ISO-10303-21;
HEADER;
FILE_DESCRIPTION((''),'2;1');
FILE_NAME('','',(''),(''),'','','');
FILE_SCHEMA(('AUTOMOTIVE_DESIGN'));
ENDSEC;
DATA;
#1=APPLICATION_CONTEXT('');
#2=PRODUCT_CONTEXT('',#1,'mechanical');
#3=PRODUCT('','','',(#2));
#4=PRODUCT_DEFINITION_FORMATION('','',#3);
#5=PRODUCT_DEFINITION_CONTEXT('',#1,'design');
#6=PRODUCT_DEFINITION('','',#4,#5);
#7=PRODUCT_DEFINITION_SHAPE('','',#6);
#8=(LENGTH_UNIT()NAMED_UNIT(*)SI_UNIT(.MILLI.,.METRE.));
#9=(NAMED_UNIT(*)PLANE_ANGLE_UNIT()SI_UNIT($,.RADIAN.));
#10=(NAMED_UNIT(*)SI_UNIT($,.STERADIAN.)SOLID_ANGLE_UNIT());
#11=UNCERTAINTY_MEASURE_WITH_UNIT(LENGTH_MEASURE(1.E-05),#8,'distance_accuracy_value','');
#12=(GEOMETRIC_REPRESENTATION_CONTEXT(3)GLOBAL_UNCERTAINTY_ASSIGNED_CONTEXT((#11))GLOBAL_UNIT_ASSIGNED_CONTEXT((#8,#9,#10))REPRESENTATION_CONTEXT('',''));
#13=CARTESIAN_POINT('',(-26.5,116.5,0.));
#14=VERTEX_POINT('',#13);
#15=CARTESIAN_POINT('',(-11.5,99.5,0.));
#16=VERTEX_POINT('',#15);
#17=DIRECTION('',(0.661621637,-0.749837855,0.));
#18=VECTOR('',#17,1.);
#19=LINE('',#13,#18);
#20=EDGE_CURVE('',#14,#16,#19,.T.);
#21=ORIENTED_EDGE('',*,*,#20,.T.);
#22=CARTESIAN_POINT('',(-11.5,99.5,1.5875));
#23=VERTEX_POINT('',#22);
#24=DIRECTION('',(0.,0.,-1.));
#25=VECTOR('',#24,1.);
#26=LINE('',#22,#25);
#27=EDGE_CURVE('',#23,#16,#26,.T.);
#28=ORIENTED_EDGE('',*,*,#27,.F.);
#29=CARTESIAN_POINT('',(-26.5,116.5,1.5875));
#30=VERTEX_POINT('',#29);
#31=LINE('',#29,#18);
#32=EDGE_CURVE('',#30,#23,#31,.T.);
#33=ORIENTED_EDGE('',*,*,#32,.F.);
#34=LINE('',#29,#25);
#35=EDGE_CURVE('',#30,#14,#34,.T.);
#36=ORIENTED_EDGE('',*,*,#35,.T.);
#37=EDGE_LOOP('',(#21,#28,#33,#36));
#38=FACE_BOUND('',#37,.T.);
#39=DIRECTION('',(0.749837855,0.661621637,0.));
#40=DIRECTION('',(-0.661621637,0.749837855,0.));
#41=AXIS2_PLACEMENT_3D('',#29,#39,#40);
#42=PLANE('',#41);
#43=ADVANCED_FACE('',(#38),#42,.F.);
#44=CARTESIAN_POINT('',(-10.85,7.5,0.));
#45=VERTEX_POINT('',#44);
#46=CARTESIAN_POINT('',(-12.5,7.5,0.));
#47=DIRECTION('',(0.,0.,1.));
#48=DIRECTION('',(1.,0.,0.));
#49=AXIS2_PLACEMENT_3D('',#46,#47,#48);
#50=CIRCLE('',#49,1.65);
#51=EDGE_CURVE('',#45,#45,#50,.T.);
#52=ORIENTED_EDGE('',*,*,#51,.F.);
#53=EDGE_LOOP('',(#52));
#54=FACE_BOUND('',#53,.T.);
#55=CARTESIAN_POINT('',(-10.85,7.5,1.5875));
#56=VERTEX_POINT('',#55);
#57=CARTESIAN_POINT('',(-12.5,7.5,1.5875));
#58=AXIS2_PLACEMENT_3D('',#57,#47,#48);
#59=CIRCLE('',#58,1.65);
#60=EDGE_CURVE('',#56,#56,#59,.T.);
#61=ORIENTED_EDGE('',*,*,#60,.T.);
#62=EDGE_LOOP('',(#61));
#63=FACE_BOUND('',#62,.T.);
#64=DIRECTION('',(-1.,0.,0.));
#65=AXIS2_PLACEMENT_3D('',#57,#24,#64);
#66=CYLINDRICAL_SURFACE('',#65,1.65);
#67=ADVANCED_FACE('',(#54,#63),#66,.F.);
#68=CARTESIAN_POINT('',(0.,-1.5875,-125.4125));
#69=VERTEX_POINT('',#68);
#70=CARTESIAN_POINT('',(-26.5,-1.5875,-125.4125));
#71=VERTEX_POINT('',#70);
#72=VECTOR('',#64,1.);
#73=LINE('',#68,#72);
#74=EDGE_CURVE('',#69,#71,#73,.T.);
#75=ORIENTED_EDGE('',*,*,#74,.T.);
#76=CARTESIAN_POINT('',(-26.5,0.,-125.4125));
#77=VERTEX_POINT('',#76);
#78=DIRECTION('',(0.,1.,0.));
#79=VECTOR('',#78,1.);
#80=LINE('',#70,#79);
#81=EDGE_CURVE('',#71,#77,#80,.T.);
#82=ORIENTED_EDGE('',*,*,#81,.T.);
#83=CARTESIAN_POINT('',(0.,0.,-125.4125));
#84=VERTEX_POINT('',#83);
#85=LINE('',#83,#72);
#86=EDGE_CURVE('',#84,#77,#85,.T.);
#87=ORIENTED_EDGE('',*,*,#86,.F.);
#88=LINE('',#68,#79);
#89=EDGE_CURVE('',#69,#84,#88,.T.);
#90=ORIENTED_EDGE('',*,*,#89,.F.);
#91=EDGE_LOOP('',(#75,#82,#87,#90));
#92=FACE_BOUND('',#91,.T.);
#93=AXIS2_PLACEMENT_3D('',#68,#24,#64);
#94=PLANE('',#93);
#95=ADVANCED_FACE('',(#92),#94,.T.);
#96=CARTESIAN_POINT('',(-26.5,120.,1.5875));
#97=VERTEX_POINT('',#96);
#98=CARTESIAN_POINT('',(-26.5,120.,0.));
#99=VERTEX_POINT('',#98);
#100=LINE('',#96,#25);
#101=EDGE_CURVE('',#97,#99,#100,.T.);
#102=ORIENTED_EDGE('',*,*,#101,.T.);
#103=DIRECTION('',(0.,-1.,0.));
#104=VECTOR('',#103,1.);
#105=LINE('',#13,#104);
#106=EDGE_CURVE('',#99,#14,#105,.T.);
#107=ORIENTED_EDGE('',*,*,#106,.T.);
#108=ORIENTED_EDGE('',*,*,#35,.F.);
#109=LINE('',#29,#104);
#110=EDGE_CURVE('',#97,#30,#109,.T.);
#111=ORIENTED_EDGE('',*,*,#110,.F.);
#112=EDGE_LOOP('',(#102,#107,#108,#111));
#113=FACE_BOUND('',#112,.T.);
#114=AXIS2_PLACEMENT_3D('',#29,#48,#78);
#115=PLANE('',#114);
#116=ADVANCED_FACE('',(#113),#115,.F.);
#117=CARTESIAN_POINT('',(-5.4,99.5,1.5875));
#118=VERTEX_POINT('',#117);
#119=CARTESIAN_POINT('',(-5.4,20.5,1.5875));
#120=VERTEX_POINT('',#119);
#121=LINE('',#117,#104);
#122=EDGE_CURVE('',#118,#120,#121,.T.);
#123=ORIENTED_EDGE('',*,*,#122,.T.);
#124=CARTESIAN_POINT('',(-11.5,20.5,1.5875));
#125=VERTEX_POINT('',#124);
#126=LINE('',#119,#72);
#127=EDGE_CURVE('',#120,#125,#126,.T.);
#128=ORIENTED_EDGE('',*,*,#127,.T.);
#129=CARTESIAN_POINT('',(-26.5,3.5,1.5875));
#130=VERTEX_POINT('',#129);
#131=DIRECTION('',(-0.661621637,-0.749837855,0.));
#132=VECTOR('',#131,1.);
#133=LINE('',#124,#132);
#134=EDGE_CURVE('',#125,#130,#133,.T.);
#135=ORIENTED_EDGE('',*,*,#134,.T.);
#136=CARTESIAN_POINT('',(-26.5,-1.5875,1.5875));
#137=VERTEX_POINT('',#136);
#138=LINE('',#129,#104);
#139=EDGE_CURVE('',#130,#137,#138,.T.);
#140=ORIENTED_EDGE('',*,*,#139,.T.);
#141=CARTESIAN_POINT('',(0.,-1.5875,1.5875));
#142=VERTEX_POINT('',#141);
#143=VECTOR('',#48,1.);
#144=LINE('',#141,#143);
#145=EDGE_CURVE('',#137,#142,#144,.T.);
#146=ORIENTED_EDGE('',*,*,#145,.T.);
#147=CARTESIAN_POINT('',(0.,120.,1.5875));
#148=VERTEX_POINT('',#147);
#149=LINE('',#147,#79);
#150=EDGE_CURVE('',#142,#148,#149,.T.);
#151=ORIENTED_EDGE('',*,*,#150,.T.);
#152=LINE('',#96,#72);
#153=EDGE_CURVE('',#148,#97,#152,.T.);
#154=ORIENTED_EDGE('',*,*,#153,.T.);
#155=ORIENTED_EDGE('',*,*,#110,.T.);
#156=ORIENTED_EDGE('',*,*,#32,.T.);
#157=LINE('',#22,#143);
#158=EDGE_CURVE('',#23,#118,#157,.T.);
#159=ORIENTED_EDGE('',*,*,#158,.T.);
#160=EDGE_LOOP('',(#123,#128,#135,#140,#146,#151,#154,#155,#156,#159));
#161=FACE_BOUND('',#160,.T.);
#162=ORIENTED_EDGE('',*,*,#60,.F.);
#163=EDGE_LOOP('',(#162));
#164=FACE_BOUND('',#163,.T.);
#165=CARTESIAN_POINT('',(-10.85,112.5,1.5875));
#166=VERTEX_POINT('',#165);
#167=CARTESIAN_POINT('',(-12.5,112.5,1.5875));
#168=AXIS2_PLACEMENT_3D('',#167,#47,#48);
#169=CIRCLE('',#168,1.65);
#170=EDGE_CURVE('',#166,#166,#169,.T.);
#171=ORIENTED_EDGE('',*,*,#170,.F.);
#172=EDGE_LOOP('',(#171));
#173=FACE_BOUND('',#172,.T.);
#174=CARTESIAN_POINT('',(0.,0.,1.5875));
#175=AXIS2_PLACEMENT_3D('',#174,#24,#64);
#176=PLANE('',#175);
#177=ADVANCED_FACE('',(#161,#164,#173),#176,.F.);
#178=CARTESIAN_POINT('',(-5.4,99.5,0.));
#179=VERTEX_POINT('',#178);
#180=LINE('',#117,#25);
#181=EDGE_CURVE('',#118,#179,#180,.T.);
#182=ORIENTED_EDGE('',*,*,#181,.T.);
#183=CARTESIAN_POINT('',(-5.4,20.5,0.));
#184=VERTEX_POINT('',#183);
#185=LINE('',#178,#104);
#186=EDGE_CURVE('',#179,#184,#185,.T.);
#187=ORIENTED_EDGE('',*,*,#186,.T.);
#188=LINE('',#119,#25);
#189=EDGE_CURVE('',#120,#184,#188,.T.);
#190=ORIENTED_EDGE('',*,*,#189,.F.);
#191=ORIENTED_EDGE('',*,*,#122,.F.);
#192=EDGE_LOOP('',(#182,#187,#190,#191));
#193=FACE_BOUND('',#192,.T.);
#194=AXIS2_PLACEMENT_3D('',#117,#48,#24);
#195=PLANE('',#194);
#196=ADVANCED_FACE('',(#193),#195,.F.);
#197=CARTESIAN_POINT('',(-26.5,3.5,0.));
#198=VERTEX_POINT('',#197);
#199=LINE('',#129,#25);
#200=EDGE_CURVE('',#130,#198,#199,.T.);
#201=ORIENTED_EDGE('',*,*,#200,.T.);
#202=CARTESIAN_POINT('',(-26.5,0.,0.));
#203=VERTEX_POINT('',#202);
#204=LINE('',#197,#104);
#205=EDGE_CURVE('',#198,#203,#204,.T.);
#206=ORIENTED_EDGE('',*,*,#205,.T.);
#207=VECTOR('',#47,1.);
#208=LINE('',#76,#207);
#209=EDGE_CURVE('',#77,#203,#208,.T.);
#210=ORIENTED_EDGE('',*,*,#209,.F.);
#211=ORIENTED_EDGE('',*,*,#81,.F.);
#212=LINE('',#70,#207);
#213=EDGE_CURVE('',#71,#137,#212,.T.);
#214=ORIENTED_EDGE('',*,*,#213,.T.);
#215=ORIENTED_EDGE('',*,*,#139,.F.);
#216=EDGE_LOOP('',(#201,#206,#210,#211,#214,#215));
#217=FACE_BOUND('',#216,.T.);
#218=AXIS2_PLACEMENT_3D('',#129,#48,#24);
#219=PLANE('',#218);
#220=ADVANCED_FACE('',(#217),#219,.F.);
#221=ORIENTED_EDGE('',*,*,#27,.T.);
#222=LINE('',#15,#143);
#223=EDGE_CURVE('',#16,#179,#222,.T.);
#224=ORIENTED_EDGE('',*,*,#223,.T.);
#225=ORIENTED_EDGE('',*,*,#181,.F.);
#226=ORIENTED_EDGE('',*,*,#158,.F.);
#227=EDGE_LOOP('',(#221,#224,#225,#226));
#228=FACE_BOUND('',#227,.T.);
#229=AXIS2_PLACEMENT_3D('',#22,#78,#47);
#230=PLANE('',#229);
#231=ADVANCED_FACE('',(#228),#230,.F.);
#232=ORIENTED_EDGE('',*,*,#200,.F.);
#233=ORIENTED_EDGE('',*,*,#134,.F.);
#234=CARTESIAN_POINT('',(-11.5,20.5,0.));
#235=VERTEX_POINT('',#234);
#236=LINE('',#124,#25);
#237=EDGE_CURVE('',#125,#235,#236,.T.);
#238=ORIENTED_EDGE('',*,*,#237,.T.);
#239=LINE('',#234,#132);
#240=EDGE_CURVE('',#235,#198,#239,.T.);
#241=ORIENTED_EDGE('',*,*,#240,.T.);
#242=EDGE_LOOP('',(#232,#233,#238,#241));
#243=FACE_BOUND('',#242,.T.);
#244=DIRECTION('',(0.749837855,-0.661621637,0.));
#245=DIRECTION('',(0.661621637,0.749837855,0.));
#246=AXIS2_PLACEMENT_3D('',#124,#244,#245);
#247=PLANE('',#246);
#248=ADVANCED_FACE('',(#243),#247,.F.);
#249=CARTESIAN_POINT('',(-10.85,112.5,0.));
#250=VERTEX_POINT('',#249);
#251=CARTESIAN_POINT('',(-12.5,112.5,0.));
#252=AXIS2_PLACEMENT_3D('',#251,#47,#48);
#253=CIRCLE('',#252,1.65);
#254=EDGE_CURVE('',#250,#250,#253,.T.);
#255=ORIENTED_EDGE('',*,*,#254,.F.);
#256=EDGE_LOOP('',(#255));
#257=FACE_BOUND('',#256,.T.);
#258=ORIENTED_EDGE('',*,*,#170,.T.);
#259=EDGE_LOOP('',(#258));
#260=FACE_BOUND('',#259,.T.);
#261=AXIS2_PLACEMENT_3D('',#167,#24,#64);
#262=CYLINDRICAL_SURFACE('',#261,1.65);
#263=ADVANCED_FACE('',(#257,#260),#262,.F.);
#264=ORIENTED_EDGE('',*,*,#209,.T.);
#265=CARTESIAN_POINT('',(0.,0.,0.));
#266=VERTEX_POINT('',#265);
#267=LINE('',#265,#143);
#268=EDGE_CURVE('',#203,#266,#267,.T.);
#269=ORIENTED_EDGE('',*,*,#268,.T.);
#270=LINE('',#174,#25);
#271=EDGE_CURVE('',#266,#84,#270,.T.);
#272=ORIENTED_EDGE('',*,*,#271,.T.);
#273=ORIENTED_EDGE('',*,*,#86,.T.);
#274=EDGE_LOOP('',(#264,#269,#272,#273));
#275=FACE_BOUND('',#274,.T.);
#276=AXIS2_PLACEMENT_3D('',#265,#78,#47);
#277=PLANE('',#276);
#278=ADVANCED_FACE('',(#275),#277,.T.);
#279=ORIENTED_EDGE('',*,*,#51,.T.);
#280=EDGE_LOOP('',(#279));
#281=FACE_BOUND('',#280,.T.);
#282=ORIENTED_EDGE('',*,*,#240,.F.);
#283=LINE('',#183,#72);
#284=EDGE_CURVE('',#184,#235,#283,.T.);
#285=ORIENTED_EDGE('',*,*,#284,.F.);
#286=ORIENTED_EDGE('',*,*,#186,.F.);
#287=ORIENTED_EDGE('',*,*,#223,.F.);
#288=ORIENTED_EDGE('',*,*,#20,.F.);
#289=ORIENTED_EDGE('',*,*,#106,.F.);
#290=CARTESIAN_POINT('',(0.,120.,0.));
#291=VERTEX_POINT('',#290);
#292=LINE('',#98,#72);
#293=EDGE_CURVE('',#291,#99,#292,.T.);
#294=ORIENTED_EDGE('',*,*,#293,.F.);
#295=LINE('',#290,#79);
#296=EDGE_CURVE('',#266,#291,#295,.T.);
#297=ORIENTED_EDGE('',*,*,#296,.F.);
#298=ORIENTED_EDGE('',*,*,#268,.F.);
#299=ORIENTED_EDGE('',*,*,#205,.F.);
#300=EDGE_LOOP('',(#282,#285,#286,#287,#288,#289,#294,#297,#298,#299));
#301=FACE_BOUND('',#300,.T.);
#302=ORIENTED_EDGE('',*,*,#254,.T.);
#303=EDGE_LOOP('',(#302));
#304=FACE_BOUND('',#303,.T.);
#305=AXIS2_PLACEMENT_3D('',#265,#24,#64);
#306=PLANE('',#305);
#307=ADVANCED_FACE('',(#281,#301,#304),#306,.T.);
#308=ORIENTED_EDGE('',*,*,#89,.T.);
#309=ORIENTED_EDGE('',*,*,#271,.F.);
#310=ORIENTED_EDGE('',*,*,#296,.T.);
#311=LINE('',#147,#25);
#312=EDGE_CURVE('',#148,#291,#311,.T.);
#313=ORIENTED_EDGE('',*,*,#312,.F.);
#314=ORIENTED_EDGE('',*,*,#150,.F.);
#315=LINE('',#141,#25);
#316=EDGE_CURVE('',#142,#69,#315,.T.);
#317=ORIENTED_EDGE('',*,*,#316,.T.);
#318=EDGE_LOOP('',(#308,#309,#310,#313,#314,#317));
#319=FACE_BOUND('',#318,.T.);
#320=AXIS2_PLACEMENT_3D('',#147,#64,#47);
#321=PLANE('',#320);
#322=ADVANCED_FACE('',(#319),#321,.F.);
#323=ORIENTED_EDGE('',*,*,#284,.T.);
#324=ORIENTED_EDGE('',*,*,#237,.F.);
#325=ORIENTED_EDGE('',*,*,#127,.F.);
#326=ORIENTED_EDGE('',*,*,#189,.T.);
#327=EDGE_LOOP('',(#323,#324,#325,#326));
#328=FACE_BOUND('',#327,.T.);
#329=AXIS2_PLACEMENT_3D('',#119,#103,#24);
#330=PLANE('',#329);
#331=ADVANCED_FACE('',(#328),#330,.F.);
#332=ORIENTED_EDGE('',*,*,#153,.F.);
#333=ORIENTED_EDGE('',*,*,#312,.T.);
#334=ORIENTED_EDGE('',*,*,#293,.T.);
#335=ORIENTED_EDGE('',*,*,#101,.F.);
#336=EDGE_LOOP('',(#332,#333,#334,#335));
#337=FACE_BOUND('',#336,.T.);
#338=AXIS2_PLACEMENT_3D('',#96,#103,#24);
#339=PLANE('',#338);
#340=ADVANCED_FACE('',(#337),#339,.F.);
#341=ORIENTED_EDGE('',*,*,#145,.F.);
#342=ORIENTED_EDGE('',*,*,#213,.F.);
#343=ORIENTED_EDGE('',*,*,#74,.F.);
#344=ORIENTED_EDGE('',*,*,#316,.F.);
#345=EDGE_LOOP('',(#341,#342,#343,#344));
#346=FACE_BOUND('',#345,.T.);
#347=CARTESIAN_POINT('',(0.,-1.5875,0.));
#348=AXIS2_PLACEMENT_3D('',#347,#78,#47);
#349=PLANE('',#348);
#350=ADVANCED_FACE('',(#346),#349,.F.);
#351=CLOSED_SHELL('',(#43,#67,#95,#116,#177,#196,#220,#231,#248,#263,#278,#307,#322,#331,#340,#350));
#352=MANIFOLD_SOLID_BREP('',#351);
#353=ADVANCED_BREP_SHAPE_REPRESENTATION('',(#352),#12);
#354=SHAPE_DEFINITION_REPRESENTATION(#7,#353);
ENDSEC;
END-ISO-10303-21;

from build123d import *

# Parameters (mm, degrees)
BOSS_EXTRUDE1_DEPTH = 1.5875
SKETCH2_W           = 26.5
SKETCH2_H           = 127
BOSS_EXTRUDE2_DEPTH = 1.5875


with BuildPart() as part:
    # Sketch1 → Boss-Extrude1 (new body)
    with BuildSketch(Plane.XY):
        Polygon((-26.5, 120), (0, 120), (0, 0), (-26.5, 0), (-26.5, 3.5), (-11.5, 20.5), (-5.4, 20.5), (-5.4, 99.5), (-11.5, 99.5), (-26.5, 116.5), align=None)
        with BuildLine():
            ThreePointArc((-14.15, 112.5), (-12.5, 110.85), (-10.85, 112.5))
            ThreePointArc((-10.85, 112.5), (-12.5, 114.15), (-14.15, 112.5))
        make_face(mode=Mode.SUBTRACT)
        with BuildLine():
            ThreePointArc((-14.15, 7.5), (-12.5, 5.85), (-10.85, 7.5))
            ThreePointArc((-10.85, 7.5), (-12.5, 9.15), (-14.15, 7.5))
        make_face(mode=Mode.SUBTRACT)
    extrude(amount=BOSS_EXTRUDE1_DEPTH)

    # Sketch2 → Boss-Extrude2 (add)
    with BuildSketch(Plane(origin=(0, 0, 0), x_dir=(1, 0, 0), z_dir=(0, 1, 0))):
        with Locations((-13.25, 61.9125)):
            Rectangle(SKETCH2_W, SKETCH2_H)
    extrude(amount=-BOSS_EXTRUDE2_DEPTH)


solid = part.part
